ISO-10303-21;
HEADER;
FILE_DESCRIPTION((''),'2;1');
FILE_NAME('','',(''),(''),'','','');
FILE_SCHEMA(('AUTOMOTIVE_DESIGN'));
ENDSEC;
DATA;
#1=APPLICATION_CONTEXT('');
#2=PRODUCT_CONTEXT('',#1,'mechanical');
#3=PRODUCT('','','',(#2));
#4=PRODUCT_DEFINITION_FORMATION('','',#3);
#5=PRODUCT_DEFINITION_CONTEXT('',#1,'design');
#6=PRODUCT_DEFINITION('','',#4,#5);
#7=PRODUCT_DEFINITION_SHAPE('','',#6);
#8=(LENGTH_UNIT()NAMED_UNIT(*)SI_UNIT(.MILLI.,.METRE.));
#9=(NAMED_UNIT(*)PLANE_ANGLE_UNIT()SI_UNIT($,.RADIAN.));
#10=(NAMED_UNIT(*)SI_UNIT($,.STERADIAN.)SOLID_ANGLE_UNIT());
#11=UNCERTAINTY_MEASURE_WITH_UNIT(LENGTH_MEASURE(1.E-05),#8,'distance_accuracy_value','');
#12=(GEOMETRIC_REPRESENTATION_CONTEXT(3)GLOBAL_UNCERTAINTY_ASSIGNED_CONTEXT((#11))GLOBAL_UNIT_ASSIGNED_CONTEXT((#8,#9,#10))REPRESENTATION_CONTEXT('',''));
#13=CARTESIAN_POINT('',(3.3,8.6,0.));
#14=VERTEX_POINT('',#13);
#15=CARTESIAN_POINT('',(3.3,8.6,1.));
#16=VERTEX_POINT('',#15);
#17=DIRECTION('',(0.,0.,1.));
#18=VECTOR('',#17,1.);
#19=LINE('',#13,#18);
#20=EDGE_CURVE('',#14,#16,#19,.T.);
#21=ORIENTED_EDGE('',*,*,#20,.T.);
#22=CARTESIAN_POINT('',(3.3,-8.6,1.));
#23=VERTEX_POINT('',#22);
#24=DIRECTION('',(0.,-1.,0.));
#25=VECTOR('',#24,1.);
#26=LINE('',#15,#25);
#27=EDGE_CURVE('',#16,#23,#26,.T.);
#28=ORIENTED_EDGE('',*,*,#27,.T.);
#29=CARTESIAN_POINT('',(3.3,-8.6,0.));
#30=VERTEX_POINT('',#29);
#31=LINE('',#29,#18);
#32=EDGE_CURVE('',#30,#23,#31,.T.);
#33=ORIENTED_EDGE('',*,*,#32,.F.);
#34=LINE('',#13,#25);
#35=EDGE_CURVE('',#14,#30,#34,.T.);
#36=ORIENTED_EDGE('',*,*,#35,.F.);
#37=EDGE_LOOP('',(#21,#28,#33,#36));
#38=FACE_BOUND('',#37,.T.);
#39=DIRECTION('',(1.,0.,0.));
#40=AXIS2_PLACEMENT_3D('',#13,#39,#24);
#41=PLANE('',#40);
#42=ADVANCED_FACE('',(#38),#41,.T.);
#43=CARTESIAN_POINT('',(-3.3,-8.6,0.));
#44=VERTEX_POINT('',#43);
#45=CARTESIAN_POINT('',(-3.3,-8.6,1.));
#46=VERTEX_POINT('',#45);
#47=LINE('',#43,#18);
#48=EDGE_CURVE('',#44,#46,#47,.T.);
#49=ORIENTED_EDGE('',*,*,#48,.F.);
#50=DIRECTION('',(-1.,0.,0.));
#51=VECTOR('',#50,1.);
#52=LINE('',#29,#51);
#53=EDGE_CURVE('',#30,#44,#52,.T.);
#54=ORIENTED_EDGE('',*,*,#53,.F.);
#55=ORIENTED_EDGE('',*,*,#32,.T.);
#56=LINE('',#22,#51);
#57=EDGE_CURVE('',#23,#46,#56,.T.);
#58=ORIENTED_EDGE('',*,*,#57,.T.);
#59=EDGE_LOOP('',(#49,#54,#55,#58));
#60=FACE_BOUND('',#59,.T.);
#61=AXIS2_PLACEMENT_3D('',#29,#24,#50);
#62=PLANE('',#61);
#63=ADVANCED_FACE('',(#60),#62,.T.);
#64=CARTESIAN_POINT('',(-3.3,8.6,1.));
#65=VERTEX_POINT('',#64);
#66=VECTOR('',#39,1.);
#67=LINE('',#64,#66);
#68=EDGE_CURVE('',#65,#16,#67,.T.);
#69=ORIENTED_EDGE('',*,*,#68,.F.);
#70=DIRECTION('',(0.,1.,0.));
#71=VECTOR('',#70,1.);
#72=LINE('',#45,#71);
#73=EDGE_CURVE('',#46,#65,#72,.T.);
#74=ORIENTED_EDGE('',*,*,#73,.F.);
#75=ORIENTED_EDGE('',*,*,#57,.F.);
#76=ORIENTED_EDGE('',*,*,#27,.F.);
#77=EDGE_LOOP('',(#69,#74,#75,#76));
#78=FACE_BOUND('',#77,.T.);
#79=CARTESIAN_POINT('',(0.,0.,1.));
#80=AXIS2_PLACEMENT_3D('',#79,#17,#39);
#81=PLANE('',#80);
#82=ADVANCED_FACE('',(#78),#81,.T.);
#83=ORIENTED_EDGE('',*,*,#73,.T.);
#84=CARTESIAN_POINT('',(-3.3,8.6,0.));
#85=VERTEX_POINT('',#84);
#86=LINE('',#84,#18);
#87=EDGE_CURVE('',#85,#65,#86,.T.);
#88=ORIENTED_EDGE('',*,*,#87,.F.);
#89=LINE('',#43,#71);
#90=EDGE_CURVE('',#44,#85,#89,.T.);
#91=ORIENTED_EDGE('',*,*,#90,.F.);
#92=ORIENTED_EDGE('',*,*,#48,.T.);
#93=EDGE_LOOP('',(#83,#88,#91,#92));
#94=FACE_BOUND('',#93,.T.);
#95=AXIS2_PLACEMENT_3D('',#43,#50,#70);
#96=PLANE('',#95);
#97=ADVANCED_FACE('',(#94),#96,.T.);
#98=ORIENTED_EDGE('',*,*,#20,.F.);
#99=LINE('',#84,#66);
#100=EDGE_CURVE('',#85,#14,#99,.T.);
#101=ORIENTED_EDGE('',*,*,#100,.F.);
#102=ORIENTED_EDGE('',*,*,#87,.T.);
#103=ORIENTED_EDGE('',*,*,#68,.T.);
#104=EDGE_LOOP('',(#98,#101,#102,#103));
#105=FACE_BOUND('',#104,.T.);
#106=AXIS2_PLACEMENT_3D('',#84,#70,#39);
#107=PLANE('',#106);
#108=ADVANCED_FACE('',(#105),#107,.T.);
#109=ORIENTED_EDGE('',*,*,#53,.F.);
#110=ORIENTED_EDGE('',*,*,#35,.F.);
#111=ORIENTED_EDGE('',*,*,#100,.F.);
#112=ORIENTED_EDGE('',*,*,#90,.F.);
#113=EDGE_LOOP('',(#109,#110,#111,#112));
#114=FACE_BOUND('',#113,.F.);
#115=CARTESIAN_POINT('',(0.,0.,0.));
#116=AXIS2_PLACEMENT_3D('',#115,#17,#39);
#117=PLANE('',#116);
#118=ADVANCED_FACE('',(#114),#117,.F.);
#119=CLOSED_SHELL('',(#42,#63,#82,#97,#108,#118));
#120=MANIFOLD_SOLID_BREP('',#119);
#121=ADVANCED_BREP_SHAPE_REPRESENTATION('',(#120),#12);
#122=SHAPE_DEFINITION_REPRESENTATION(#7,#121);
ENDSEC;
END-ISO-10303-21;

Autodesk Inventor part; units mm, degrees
ref_plane "YZ Plane" through (0, 0, 0) normal (1, 0, 0) x (0, 1, 0)
ref_plane "XZ Plane" through (0, 0, 0) normal (0, 1, 0) x (-1, 0, 0)
ref_plane "XY Plane" through (0, 0, 0) normal (0, 0, 1) x (1, 0, 0)
sketch "HEADER2MM, 14_WAY_HEADER_198" plane through (0, 0, 0) normal (0, 0, 1) x (1, 0, 0)
  line L0 (-3.3, -8.6) -> (-3.3, 8.6)
  line L1 (-3.3, 8.6) -> (3.3, 8.6)
  line L2 (3.3, 8.6) -> (3.3, -8.6)
  line L3 (3.3, -8.6) -> (-3.3, -8.6)
extrude "Extrusion1" add sketch "HEADER2MM, 14_WAY_HEADER_198" along normal blind 1
properties part number "14_WAY_HEADER"
